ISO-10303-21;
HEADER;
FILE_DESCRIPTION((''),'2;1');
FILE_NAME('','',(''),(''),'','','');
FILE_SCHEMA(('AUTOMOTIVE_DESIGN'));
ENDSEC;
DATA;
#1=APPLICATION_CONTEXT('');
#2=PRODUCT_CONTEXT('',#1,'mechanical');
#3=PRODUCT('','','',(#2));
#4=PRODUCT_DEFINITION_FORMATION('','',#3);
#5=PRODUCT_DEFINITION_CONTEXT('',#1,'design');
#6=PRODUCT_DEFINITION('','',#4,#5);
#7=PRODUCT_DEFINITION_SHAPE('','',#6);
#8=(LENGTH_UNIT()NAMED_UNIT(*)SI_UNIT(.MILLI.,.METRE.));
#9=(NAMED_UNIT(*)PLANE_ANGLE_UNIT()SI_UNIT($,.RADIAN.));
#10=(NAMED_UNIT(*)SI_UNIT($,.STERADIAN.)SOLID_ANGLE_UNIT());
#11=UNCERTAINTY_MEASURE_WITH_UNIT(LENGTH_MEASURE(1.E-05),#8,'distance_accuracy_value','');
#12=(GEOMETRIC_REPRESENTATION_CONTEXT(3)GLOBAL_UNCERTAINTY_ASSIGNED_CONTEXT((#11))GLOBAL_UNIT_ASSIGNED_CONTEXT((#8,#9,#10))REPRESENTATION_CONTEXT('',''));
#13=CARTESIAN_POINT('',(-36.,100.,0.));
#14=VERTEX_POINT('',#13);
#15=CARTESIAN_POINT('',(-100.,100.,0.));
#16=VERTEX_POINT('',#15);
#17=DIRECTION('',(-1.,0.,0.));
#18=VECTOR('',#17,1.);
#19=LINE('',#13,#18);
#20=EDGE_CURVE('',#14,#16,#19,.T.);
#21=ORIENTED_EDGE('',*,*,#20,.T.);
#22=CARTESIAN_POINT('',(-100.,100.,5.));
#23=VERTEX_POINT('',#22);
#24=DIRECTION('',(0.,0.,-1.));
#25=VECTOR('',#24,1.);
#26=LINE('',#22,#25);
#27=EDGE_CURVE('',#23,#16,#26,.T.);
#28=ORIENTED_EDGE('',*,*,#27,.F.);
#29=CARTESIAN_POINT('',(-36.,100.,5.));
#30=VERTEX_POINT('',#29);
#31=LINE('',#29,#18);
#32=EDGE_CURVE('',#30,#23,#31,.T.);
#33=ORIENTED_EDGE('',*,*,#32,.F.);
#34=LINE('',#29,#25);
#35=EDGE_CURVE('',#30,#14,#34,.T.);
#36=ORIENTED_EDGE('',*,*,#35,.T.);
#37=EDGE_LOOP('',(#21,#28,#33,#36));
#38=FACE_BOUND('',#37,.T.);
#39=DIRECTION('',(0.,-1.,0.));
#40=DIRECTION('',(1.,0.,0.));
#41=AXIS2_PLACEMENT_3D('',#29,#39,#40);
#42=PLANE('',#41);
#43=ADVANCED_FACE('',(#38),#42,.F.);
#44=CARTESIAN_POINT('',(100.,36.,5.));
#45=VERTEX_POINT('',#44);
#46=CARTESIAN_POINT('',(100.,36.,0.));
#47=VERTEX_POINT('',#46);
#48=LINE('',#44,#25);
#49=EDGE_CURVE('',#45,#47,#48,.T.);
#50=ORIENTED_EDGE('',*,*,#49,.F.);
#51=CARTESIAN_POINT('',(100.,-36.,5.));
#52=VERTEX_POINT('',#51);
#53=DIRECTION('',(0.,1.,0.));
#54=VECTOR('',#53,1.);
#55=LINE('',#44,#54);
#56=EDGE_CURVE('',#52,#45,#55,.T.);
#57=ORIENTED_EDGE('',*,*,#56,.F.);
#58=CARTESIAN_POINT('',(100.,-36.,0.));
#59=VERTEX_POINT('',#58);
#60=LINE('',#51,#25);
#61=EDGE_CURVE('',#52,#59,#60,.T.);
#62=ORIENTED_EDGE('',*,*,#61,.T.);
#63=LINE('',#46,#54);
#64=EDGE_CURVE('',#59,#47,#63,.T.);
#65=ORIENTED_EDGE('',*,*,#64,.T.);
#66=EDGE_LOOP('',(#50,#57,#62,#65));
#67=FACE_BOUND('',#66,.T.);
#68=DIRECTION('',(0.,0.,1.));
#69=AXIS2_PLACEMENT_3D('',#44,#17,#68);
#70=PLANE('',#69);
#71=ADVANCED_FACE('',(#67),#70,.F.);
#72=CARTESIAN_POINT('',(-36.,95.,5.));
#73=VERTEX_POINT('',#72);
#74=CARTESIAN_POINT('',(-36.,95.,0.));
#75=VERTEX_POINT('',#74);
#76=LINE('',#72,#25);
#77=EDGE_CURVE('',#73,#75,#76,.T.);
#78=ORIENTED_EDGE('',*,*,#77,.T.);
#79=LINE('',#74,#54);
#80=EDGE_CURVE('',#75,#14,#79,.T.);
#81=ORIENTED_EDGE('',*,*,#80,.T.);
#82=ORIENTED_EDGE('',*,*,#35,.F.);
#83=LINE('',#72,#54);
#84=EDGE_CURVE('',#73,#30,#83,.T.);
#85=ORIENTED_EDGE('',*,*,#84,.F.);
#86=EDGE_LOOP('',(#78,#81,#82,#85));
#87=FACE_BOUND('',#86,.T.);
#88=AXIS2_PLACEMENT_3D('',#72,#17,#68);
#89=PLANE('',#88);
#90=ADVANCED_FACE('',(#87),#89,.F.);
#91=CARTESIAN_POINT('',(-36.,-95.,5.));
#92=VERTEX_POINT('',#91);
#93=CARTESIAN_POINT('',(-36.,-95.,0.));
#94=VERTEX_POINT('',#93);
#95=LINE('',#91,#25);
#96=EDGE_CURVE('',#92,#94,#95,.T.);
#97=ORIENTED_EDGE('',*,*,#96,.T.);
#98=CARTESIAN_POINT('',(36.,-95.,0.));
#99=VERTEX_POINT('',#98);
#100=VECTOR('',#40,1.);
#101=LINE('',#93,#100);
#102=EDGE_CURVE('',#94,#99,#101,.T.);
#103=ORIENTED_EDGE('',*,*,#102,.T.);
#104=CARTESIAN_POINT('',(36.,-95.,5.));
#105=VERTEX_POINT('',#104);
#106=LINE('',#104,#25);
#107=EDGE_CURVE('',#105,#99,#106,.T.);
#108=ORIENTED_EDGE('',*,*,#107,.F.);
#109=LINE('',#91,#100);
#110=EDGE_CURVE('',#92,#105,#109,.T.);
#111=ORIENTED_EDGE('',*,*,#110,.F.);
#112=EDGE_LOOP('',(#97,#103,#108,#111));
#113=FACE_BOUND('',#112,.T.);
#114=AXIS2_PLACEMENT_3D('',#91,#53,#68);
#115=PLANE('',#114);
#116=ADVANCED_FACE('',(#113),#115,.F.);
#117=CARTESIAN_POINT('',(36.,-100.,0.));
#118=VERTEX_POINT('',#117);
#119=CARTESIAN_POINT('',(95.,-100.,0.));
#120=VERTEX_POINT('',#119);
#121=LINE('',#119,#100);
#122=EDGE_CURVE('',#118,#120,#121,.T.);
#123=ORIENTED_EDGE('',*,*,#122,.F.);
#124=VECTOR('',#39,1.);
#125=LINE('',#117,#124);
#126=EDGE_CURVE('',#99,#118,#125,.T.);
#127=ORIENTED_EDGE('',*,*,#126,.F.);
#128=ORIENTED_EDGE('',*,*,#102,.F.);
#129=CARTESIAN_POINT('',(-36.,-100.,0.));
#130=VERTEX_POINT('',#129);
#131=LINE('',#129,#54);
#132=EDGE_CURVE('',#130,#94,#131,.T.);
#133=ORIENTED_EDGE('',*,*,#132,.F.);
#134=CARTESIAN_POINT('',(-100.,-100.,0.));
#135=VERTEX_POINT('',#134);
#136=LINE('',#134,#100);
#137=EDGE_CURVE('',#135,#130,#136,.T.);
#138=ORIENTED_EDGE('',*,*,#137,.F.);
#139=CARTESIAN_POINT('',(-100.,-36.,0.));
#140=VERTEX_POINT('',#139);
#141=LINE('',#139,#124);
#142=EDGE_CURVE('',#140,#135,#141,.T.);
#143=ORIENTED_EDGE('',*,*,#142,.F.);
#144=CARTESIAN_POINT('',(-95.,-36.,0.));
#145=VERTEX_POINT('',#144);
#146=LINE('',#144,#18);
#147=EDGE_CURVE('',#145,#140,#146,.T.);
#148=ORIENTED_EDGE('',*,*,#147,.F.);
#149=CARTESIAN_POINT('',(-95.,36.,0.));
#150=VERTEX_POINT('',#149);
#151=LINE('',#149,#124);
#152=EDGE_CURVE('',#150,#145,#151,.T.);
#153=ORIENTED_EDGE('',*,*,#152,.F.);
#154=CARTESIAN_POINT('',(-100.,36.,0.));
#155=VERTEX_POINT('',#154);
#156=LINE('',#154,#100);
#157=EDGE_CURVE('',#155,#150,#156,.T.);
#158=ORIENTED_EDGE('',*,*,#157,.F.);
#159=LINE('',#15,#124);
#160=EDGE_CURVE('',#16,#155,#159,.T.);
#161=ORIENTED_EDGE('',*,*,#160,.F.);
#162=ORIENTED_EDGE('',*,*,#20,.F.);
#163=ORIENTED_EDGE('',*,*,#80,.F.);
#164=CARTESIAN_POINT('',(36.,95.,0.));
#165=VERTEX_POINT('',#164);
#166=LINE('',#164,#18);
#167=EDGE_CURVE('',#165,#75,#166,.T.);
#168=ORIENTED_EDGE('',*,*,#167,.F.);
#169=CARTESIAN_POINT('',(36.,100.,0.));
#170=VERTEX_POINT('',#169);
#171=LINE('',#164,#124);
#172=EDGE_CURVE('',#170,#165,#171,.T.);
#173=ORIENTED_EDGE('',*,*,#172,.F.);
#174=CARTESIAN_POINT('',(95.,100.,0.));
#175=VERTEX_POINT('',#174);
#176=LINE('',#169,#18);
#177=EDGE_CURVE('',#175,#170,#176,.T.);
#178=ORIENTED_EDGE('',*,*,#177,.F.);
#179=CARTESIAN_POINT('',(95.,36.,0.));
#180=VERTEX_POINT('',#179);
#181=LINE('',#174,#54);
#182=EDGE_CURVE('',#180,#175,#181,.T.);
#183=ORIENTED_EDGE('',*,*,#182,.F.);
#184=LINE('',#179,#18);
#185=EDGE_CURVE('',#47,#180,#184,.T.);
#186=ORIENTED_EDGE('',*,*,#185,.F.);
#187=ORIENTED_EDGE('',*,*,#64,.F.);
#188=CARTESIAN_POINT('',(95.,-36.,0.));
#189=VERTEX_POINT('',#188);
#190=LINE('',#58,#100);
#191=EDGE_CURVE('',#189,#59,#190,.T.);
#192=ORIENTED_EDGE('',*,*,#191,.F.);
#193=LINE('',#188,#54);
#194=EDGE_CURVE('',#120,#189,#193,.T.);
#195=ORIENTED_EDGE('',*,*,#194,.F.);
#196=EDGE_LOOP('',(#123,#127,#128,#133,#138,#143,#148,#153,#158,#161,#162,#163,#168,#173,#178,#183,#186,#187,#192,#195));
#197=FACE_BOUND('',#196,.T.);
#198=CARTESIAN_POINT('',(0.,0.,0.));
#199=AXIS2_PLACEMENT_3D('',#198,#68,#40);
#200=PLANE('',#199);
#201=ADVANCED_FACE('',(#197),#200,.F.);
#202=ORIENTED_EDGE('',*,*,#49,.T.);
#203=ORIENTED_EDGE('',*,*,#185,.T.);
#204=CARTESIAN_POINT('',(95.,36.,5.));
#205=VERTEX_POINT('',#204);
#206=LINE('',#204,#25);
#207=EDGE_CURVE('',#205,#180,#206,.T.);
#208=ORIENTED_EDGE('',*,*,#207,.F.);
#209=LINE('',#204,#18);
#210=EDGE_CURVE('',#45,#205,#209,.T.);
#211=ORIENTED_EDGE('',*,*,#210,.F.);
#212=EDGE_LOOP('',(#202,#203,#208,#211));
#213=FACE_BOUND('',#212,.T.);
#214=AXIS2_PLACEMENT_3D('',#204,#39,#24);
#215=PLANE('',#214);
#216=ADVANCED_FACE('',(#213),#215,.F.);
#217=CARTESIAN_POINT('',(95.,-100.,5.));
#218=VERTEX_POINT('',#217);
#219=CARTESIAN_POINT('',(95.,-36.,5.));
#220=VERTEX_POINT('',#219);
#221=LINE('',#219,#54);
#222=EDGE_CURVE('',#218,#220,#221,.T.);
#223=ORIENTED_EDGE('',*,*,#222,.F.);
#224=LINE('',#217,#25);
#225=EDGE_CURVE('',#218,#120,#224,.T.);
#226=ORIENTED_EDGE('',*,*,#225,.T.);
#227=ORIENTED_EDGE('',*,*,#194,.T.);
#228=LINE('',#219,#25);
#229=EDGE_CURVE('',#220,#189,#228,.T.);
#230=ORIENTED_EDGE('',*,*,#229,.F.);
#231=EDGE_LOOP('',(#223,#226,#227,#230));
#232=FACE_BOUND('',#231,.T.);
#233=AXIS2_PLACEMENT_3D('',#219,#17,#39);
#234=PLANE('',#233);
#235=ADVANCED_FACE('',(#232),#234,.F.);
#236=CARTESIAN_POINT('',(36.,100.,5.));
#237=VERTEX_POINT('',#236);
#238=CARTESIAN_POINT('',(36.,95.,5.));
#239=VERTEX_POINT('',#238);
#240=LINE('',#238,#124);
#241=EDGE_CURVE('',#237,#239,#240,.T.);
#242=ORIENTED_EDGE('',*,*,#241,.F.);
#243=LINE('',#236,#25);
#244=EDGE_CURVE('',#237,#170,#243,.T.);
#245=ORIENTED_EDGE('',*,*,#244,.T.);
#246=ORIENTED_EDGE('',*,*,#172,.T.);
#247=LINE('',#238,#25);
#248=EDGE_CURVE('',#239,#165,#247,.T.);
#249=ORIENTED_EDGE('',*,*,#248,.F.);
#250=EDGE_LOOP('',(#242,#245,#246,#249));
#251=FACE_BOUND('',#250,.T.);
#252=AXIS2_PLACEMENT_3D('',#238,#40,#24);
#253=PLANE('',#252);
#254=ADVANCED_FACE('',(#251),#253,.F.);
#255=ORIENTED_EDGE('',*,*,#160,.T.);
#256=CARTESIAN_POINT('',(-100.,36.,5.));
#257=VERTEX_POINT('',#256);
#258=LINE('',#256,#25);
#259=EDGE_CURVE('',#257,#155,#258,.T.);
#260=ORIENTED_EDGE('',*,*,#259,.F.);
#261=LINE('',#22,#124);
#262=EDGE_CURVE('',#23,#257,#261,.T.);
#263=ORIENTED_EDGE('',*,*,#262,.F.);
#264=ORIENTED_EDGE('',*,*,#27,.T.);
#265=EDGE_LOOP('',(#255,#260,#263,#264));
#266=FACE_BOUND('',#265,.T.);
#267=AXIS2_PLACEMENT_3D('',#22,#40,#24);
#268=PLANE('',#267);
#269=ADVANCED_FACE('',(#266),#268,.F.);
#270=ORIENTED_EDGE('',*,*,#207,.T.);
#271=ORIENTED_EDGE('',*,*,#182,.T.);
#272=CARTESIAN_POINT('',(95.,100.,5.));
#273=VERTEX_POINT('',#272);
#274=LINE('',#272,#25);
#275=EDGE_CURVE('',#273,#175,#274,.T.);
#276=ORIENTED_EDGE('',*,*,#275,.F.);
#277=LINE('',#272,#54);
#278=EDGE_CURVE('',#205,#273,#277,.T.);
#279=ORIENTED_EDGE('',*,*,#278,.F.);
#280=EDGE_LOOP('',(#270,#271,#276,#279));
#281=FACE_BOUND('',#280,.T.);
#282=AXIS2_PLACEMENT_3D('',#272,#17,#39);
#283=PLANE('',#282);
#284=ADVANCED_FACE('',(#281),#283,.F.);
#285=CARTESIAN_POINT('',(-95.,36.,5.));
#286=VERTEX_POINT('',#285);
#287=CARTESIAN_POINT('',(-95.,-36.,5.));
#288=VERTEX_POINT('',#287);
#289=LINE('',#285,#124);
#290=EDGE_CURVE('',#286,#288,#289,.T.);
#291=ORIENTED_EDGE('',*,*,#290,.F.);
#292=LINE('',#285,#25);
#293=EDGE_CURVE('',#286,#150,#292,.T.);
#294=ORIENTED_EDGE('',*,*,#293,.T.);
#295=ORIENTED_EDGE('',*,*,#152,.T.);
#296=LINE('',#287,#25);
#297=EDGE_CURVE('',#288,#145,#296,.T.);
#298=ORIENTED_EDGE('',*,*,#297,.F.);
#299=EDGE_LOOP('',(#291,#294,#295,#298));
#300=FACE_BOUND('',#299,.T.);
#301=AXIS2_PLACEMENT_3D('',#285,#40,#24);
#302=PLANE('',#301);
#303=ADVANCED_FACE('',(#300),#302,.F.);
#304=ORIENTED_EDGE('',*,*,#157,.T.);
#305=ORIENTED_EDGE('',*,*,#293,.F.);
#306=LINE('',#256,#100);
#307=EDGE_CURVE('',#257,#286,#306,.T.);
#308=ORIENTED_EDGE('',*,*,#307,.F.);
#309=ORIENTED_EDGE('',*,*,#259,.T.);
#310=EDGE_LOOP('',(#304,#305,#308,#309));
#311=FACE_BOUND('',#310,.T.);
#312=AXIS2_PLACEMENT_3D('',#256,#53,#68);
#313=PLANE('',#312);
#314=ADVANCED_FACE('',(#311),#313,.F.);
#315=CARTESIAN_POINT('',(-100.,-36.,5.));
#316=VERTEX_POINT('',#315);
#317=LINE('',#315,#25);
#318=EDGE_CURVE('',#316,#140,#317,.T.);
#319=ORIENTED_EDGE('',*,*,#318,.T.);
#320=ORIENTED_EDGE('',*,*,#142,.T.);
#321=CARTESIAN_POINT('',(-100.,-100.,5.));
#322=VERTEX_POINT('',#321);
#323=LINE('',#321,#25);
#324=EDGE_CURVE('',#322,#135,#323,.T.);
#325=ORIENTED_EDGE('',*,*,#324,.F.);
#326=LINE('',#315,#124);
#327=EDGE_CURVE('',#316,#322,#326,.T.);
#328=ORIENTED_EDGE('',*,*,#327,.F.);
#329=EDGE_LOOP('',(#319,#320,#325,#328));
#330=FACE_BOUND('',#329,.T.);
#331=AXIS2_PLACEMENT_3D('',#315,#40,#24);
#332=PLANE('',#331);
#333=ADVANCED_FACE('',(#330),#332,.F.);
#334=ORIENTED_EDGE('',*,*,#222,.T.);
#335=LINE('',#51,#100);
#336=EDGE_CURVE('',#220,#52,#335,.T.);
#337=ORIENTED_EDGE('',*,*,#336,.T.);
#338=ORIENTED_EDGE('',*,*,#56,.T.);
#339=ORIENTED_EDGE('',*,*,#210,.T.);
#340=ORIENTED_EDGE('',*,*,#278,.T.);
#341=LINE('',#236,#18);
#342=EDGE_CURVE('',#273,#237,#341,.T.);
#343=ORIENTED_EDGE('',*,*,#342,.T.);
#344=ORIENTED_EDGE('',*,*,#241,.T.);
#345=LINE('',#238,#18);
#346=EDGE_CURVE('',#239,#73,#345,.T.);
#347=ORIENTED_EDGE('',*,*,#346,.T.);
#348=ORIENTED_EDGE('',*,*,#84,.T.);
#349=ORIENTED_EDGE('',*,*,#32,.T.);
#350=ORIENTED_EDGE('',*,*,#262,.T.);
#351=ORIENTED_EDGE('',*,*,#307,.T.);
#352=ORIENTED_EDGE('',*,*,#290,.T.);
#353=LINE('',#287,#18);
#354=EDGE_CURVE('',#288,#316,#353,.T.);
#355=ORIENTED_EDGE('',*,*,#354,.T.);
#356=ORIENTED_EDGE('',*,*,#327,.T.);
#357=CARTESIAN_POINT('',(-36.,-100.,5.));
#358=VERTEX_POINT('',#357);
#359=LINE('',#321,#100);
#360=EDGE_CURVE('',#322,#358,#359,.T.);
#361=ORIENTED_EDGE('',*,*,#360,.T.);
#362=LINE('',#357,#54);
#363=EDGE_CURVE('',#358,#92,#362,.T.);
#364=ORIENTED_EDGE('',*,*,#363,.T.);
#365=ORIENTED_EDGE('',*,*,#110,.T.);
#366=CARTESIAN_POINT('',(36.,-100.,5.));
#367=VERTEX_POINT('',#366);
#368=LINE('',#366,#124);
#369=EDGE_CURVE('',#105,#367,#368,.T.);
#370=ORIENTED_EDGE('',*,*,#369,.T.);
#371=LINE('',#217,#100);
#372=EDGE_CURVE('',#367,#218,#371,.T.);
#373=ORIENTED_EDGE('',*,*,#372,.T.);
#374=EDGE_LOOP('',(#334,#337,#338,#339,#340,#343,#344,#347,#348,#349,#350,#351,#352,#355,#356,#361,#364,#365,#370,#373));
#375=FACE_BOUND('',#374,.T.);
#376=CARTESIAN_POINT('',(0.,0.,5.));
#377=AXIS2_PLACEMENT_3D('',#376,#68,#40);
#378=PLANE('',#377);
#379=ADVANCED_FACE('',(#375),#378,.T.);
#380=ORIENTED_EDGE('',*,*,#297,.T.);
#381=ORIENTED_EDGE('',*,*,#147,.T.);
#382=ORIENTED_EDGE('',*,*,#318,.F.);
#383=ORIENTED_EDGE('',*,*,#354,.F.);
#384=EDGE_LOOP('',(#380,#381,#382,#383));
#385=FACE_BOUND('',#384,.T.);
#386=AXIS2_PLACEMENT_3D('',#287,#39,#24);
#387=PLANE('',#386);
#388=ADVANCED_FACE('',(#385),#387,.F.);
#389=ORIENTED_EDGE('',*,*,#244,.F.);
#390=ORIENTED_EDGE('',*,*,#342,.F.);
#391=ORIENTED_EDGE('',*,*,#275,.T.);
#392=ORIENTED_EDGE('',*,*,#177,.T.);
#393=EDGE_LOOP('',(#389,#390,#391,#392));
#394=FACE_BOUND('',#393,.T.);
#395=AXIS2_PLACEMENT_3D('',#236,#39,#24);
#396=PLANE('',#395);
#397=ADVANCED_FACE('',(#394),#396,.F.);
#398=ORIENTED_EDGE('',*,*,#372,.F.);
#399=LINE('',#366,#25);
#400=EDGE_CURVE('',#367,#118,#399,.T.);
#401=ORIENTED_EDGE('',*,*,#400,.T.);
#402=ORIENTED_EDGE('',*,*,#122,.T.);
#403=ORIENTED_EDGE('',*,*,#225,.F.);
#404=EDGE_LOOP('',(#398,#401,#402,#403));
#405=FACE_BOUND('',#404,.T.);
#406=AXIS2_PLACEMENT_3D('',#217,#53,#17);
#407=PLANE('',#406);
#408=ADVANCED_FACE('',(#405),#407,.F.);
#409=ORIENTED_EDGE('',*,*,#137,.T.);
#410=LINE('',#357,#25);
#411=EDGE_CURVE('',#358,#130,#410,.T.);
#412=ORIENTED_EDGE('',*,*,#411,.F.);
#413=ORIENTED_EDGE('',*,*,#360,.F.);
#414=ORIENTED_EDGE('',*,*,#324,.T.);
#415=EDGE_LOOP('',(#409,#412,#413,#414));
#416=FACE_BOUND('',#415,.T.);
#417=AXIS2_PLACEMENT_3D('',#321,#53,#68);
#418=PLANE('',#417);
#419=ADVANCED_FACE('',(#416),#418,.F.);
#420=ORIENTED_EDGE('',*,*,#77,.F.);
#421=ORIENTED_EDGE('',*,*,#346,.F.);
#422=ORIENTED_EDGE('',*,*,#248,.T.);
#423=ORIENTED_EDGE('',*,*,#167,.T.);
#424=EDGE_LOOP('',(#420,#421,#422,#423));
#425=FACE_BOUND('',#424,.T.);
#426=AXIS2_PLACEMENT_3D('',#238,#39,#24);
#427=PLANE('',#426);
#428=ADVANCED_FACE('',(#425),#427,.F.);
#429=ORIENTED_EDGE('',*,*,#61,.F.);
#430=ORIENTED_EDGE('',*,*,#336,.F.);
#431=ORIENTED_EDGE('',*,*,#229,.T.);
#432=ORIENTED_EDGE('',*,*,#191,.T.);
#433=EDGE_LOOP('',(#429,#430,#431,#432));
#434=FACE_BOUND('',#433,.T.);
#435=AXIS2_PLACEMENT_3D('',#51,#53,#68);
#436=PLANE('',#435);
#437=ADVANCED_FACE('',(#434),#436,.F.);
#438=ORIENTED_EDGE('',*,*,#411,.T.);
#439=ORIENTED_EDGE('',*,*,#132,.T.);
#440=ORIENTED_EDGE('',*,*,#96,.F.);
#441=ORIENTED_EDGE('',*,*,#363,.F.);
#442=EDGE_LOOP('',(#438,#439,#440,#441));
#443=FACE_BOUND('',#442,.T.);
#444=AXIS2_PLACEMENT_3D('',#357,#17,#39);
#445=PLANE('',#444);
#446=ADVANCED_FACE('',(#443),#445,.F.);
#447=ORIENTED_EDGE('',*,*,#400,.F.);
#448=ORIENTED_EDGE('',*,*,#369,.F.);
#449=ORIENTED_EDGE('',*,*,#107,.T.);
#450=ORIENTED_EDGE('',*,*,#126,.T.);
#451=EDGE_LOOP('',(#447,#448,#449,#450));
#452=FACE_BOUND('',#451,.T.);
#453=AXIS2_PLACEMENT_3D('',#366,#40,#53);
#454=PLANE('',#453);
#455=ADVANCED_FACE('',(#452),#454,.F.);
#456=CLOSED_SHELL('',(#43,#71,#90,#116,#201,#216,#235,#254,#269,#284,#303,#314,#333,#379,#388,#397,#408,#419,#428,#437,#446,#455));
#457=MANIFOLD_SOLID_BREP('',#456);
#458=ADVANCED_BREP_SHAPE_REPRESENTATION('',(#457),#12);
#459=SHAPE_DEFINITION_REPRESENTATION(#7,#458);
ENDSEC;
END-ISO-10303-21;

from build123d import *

# Parameters (mm, degrees)
BOSS_EXTRUDE1_DEPTH = 5


with BuildPart() as part:
    # Sketch1 → Boss-Extrude1 (new body)
    with BuildSketch(Plane.XY):
        Polygon((36, 95), (-36, 95), (-36, 100), (-100, 100), (-100, 36), (-95, 36), (-95, -36), (-100, -36), (-100, -100), (-36, -100), (-36, -95), (36, -95), (36, -100), (95, -100), (95, -36), (100, -36), (100, 36), (95, 36), (95, 100), (36, 100), align=None)
    extrude(amount=BOSS_EXTRUDE1_DEPTH)


solid = part.part
